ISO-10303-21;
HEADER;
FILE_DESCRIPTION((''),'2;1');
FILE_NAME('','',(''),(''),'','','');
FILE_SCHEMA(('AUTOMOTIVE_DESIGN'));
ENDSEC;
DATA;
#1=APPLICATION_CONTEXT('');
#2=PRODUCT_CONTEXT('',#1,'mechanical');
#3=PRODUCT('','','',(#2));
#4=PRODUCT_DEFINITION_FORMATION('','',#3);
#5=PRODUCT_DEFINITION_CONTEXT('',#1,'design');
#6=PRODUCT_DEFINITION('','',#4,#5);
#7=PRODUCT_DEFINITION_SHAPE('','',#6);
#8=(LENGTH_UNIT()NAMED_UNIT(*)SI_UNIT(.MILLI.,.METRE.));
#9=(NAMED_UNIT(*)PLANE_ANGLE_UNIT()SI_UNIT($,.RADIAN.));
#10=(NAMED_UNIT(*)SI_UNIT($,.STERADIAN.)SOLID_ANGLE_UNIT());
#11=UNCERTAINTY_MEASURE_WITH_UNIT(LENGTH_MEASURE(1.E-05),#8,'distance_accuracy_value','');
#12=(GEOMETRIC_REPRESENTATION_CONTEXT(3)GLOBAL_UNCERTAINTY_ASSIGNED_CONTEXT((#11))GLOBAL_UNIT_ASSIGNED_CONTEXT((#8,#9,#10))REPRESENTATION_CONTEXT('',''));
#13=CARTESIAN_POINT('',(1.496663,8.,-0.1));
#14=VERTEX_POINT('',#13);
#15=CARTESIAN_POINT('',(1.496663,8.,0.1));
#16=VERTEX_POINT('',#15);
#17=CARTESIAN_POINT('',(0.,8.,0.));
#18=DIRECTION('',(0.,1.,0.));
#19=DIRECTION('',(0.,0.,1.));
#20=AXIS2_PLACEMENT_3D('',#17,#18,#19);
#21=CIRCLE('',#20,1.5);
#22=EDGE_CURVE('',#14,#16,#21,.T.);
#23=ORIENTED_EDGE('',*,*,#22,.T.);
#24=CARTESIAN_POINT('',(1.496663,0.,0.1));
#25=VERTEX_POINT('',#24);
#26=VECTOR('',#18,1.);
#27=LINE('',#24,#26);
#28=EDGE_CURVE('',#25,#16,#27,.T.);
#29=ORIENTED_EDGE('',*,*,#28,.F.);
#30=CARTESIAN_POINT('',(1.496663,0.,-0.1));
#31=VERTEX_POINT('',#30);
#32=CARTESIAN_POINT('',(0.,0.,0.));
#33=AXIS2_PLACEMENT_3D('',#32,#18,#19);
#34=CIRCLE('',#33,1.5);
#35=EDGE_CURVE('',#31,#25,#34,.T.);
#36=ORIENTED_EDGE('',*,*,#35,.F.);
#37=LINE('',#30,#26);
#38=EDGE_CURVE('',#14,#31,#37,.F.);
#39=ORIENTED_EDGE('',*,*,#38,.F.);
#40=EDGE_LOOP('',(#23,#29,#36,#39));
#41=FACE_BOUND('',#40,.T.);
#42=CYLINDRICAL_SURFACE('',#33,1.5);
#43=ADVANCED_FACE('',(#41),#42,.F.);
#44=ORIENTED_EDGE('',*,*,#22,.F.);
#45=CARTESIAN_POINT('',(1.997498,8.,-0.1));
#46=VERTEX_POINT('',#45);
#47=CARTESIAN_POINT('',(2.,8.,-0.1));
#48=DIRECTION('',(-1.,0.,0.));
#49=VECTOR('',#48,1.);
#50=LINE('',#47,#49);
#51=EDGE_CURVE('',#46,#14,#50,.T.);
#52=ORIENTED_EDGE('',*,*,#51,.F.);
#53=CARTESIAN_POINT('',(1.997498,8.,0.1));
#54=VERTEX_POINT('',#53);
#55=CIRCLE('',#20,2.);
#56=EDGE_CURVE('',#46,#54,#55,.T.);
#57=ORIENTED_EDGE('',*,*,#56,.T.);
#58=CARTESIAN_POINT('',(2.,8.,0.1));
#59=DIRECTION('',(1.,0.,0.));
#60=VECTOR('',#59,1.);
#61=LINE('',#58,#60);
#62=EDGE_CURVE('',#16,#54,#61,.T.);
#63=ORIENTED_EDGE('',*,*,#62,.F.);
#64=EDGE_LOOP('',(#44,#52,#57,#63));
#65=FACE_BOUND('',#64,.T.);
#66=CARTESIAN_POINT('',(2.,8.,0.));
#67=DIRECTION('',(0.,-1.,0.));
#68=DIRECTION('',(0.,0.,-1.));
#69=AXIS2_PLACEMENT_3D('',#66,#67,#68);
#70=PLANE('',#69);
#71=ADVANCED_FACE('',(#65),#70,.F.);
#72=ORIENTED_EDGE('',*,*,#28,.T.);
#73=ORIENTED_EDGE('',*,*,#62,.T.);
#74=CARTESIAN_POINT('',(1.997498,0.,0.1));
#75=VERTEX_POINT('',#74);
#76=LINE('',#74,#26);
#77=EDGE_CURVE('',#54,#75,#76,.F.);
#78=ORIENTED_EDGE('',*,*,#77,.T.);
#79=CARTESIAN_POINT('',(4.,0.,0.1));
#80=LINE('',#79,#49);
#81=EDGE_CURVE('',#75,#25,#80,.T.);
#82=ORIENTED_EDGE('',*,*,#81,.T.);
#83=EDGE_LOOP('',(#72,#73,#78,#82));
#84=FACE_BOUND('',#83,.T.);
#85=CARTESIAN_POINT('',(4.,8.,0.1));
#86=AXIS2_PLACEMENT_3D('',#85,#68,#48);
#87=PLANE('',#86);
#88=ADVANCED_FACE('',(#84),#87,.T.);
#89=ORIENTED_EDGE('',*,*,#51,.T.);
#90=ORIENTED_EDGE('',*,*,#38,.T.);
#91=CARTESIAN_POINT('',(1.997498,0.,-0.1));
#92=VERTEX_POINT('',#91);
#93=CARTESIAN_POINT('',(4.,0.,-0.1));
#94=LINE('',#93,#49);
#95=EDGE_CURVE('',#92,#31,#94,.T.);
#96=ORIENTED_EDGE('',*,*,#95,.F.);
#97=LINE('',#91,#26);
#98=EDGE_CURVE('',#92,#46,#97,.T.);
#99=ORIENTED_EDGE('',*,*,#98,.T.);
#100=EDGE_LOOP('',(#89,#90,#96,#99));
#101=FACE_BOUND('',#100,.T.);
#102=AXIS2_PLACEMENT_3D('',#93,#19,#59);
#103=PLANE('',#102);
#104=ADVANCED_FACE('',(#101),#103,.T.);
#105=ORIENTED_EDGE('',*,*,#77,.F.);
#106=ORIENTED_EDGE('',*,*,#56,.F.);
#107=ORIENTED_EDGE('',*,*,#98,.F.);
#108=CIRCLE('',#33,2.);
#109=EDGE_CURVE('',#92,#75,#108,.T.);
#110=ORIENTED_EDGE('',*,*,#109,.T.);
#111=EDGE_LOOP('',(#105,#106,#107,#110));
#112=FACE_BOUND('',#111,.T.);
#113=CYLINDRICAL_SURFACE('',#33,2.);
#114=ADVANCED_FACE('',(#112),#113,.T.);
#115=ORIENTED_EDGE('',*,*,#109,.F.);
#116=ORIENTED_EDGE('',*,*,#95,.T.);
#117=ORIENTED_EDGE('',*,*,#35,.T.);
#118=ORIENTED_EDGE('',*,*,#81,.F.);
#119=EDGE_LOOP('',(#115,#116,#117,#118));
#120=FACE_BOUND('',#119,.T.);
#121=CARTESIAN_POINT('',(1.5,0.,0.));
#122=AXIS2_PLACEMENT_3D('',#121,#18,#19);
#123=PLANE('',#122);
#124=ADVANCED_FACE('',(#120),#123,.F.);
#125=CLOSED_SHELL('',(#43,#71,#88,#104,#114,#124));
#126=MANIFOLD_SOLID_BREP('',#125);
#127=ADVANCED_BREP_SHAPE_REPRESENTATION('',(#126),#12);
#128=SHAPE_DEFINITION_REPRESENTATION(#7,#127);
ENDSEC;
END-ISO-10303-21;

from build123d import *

# Parameters (mm, degrees)
SKETCH1_W          = 0.5
SKETCH1_H          = 8
SKETCH2_W          = 0.2
SKETCH2_H          = 8
CUT_EXTRUDE1_DEPTH = 4


with BuildPart() as part:
    # Sketch1 → Revolve1 (revolve)
    with BuildSketch(Plane.XY, mode=Mode.PRIVATE) as revolve1_sk:
        with Locations((1.75, 4)):
            Rectangle(SKETCH1_W, SKETCH1_H)
    revolve(revolve1_sk.sketch.rotate(Axis((0, 0, 0), (0, 1, 0)), 270), axis=Axis((0, 0, 0), (0, 1, 0)))

    # Sketch2 → Cut-Extrude1 (cut)
    with BuildSketch(Plane(origin=(0, 0, 0), x_dir=(0, 0, -1), z_dir=(1, 0, 0))):
        with Locations((0, 4)):
            Rectangle(SKETCH2_W, SKETCH2_H)
    extrude(amount=CUT_EXTRUDE1_DEPTH, mode=Mode.SUBTRACT)


solid = part.part
